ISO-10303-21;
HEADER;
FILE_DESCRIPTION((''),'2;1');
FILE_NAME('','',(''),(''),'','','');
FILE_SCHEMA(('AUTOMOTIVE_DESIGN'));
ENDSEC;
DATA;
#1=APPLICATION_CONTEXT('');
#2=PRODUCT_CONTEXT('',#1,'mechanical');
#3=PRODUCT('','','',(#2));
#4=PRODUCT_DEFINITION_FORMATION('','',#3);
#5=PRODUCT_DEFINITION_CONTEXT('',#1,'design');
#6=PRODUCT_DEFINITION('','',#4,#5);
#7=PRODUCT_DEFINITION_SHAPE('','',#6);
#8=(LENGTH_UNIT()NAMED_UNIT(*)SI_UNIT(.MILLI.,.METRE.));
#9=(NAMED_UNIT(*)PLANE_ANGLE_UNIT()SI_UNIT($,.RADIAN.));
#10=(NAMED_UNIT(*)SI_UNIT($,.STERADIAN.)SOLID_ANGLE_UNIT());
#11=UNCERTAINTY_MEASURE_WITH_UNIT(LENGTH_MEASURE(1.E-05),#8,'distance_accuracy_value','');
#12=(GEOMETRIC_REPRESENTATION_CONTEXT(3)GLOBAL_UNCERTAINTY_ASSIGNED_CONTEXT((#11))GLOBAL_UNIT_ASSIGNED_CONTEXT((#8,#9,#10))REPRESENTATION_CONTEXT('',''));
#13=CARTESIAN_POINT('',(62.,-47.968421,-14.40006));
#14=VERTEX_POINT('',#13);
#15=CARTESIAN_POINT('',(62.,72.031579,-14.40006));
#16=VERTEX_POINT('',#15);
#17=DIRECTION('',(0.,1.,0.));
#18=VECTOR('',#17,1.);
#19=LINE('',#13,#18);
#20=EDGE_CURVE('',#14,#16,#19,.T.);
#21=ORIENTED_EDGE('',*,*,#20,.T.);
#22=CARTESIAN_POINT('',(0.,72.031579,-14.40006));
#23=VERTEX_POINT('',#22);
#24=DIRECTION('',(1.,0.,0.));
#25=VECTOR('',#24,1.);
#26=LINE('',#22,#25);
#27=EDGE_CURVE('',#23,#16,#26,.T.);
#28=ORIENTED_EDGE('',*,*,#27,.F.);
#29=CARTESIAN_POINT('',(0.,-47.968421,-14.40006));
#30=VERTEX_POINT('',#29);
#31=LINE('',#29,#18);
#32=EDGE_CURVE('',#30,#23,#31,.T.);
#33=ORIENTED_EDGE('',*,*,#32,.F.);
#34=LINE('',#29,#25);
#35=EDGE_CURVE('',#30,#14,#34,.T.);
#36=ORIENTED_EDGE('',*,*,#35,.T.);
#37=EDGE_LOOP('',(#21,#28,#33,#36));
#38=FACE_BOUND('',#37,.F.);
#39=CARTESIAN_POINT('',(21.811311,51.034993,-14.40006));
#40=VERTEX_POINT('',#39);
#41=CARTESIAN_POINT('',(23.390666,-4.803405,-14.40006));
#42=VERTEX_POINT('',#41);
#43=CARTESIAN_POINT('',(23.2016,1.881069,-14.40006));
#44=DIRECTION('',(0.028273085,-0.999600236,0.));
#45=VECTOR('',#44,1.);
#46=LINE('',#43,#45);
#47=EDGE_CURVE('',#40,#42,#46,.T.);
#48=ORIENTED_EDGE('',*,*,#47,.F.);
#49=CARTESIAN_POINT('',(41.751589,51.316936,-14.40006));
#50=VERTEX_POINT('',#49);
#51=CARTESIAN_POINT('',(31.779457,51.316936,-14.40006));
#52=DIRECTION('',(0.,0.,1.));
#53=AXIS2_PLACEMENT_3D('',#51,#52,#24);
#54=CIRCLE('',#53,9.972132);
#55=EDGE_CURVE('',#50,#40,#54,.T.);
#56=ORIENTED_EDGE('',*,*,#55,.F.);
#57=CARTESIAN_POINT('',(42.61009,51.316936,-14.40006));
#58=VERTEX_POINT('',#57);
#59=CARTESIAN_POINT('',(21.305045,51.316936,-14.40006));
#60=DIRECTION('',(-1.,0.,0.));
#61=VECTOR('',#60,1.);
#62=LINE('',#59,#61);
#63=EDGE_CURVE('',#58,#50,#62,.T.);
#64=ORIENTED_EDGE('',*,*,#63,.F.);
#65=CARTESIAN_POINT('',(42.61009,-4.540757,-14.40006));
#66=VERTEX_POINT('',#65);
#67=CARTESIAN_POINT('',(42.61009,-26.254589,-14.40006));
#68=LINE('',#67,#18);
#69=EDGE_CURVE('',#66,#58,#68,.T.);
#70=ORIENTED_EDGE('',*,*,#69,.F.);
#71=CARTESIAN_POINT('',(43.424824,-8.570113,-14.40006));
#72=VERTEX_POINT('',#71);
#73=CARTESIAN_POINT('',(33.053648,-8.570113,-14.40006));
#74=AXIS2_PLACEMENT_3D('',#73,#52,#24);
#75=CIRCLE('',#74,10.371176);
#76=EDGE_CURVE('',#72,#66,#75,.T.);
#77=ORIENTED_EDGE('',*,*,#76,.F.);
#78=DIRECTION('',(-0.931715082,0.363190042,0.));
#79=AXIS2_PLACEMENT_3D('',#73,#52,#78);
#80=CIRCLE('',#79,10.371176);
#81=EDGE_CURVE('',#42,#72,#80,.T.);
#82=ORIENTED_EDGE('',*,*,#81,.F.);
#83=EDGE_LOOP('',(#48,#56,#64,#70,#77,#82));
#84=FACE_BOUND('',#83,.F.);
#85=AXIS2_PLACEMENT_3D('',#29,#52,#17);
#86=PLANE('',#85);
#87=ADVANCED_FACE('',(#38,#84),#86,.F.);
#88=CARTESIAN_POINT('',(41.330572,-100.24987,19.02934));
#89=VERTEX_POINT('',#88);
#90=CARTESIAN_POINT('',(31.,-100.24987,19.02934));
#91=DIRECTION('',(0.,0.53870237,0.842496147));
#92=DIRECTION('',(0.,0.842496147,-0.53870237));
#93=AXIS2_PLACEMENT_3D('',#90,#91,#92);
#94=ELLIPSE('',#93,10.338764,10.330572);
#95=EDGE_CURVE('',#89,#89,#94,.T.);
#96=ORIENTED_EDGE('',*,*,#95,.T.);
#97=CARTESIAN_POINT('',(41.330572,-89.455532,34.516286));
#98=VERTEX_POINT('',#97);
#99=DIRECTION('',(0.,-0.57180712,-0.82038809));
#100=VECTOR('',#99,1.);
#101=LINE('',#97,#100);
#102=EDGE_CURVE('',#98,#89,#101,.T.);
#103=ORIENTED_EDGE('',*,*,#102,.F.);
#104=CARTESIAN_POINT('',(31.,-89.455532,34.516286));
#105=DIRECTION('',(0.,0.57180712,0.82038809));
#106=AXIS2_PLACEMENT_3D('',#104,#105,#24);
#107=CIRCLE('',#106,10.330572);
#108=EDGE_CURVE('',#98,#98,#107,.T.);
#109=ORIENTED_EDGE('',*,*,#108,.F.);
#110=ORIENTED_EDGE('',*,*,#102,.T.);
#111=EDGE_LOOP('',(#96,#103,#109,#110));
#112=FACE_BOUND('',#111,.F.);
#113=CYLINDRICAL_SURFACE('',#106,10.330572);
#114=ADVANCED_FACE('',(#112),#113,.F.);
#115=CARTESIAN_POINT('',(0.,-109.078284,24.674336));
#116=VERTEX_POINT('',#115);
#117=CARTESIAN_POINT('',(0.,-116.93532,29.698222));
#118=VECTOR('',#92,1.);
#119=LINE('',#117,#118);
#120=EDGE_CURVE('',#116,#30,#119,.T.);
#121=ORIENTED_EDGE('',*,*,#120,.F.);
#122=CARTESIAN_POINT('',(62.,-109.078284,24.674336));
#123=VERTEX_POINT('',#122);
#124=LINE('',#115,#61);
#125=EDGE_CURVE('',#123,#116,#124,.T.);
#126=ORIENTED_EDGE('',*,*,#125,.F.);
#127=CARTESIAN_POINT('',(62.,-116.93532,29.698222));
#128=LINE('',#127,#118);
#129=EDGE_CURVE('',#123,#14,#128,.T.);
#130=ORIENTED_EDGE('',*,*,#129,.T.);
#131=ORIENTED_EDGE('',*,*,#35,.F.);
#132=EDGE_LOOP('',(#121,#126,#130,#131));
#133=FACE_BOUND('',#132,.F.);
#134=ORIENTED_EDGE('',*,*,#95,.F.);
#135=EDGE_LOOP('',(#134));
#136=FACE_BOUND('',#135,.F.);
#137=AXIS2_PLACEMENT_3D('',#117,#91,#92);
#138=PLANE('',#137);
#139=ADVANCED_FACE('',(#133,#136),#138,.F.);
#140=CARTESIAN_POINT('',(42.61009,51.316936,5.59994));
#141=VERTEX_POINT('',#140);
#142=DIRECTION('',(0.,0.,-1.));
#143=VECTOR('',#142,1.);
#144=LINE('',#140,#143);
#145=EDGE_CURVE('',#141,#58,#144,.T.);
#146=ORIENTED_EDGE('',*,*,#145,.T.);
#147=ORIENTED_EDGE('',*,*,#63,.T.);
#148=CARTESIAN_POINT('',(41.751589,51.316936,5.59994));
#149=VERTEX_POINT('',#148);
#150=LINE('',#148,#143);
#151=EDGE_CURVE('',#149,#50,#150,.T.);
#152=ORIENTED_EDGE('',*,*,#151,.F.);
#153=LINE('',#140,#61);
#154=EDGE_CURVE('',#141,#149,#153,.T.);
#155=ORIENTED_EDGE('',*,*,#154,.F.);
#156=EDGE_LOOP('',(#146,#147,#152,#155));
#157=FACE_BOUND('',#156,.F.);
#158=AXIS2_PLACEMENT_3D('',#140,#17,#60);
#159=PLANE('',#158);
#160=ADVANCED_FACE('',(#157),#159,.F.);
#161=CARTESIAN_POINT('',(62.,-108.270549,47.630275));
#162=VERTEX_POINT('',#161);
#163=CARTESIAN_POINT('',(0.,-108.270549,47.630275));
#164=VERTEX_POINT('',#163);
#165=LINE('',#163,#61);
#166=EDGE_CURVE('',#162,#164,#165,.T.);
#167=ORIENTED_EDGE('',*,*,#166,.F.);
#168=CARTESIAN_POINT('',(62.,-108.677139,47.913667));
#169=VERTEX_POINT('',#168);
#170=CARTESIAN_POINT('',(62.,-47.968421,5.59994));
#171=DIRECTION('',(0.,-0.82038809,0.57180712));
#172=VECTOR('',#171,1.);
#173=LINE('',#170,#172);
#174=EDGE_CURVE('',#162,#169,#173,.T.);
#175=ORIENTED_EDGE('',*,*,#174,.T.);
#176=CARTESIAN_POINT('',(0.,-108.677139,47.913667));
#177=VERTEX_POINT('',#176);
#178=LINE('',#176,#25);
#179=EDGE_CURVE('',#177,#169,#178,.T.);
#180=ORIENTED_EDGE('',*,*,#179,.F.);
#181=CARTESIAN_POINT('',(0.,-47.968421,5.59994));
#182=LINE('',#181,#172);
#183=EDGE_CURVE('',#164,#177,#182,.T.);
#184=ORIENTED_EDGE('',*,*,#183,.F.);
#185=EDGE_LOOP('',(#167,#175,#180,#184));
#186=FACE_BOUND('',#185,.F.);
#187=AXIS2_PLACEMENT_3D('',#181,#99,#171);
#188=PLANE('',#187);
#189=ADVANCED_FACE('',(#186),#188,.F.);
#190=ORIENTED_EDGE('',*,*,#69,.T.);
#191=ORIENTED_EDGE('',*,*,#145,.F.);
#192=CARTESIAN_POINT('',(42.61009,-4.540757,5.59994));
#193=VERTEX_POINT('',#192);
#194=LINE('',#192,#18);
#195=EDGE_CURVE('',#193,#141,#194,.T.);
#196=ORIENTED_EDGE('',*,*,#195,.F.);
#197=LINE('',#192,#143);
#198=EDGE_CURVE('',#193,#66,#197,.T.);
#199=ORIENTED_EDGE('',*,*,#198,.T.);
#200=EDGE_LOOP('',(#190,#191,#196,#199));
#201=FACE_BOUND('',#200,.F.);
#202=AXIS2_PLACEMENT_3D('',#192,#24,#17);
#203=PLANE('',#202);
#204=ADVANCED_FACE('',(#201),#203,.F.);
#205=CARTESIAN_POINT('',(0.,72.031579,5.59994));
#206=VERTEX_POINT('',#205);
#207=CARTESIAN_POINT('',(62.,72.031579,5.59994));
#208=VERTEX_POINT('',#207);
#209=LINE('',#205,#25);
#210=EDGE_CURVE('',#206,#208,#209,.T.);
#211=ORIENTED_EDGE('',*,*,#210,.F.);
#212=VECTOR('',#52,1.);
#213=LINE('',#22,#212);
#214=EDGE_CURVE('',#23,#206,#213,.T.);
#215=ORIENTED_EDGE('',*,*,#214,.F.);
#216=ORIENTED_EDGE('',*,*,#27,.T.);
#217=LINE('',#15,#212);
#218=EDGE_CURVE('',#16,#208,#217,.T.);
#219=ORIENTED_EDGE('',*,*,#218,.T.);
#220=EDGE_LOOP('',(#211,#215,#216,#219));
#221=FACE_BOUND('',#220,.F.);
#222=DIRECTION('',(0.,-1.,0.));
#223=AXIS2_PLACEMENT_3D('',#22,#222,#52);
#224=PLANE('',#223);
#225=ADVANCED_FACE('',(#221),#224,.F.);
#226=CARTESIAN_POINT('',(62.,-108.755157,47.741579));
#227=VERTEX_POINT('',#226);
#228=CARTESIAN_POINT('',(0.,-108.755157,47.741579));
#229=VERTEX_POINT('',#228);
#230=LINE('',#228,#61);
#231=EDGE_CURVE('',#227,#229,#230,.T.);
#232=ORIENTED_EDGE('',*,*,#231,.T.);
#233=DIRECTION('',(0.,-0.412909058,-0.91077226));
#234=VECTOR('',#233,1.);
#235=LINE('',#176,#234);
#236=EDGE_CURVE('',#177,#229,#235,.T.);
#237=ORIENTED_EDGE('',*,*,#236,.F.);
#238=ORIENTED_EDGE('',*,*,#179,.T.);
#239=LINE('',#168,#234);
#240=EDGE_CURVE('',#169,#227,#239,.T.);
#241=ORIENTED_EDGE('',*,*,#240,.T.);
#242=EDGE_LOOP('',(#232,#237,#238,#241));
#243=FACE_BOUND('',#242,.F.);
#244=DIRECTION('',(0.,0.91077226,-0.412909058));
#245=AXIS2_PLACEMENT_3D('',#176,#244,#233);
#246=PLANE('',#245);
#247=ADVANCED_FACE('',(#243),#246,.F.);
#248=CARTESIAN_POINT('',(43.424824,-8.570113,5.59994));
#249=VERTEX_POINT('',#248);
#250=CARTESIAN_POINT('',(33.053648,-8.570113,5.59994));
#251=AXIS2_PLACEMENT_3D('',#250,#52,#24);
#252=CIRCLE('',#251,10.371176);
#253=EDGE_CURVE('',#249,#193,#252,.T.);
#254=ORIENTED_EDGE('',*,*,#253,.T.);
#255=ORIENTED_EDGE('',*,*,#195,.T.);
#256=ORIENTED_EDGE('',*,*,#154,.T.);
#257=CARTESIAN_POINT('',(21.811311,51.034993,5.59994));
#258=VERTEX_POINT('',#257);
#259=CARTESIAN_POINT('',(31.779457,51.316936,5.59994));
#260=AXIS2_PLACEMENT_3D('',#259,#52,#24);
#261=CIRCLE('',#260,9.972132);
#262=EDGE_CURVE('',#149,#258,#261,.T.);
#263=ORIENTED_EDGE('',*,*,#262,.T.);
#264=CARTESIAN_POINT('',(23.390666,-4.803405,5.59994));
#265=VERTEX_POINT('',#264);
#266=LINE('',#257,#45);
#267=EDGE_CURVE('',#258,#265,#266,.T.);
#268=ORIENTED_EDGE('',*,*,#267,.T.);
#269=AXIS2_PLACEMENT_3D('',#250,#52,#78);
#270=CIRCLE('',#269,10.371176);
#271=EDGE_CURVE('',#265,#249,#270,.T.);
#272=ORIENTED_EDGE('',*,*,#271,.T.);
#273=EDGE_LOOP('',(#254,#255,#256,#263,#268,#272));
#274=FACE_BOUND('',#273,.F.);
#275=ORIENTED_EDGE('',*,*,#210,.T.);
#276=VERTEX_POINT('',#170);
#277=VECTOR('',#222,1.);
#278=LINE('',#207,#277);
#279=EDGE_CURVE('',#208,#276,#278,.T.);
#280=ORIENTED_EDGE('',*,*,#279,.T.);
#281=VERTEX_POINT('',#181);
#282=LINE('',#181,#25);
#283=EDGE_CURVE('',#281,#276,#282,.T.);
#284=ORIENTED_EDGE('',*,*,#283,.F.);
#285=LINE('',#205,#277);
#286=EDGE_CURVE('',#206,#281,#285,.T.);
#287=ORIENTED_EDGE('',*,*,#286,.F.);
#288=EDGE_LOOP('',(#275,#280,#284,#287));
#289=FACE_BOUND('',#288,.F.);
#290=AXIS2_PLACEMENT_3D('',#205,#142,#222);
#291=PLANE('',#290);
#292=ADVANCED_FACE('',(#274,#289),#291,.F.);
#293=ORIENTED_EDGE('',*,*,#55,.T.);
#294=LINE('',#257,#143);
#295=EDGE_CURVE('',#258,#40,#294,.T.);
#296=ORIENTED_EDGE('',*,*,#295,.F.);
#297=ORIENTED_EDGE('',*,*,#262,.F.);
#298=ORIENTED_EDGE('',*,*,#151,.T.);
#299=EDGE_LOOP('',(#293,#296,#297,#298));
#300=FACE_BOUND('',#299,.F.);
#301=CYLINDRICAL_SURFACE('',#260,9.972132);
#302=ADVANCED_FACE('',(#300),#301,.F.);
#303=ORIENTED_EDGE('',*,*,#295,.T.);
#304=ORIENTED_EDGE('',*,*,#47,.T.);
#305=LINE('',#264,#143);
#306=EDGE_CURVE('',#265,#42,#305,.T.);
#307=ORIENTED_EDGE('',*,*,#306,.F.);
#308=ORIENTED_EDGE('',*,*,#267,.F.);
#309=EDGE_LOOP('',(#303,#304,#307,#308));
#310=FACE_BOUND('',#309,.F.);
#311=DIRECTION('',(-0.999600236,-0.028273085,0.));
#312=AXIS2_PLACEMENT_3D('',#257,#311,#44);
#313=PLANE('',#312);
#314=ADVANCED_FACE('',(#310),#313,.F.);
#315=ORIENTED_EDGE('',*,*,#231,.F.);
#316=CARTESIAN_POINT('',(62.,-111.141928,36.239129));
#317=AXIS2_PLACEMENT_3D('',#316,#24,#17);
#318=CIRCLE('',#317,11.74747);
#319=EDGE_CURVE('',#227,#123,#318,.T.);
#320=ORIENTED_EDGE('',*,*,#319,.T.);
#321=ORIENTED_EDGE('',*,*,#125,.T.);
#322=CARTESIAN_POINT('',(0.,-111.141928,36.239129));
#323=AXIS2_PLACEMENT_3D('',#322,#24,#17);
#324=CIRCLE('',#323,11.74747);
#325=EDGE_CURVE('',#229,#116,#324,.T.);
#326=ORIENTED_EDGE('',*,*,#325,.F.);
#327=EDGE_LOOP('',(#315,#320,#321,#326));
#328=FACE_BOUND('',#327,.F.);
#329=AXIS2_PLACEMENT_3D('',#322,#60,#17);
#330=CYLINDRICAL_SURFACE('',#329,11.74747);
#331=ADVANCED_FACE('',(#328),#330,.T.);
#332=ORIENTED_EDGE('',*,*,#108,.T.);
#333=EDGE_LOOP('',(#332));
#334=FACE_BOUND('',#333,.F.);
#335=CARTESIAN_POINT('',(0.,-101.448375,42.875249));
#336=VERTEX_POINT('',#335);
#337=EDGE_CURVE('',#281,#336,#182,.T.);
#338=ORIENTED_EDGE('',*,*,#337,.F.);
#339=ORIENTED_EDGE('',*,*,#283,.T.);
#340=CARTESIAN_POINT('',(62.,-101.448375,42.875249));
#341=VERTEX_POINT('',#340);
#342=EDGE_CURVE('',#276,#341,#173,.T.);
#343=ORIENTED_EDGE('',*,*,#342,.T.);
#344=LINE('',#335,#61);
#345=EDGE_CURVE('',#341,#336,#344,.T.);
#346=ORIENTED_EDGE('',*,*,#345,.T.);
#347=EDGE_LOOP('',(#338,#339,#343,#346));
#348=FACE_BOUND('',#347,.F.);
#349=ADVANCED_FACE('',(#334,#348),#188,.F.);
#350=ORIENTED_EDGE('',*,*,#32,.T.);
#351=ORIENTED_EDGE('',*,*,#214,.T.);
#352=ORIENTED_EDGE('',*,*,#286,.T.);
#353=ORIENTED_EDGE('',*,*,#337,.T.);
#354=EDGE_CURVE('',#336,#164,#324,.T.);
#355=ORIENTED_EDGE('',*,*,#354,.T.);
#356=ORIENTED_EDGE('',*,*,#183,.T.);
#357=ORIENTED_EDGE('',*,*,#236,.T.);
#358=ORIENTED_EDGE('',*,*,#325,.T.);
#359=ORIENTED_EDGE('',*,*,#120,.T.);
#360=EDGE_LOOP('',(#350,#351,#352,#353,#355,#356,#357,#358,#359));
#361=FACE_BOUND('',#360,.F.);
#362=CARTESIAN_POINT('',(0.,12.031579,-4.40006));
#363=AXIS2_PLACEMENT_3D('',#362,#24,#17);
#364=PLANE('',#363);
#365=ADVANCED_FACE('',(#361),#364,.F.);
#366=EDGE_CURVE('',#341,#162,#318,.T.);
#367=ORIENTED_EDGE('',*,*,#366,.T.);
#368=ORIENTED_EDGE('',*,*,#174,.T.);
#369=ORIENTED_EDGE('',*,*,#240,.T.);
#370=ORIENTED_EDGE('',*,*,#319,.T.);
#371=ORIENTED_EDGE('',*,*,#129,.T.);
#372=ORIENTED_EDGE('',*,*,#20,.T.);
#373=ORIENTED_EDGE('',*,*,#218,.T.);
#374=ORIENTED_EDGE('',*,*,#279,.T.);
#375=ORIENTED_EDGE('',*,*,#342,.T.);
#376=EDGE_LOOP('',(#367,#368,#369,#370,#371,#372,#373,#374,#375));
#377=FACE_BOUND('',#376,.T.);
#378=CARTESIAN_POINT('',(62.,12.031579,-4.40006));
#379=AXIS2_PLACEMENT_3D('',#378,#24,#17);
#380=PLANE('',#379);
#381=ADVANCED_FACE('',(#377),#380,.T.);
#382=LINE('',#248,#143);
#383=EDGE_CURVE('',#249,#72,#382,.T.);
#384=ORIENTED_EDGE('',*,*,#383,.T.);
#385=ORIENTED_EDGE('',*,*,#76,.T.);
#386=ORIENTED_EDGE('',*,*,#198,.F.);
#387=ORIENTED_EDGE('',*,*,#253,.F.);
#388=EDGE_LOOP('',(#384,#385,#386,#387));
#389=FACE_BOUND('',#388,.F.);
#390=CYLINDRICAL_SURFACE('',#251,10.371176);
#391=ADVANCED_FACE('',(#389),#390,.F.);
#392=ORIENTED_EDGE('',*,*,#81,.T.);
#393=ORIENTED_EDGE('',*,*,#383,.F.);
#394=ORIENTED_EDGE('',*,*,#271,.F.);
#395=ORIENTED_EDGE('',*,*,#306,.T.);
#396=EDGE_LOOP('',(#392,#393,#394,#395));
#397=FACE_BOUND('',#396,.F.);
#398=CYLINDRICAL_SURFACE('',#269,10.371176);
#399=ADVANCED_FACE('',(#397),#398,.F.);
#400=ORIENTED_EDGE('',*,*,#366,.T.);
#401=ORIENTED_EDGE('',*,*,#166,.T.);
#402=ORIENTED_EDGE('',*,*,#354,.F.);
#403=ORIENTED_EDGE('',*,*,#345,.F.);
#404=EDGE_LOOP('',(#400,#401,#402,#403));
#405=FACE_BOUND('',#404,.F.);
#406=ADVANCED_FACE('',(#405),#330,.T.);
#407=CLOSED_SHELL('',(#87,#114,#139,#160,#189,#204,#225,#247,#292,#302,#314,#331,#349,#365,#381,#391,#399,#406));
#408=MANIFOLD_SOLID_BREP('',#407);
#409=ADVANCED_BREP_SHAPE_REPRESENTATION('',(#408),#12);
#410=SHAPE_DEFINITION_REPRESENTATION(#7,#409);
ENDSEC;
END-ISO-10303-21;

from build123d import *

# Parameters (mm, degrees)
F1_DEPTH = 62
F2_R     = 11.7474696308
F3_DEPTH = 62
F5_DEPTH = 62
F6_R     = 10.330572445
F7_DEPTH = 62


with BuildPart() as f1:
    # F0 (on Right) → F1 (new body)
    with BuildSketch(Plane.YZ):
        Polygon((72.0315793902, 5.5999404844), (-47.9684206098, 5.5999404844), (-47.9684206098, -14.4000595156), (72.0315793902, -14.4000595156), (72.0315793902, -4.4000595156), align=None)
        Polygon((-47.9684206098, -14.4000595156), (-47.9684206098, 5.5999404844), (-108.6771392604, 47.9136673329), (-116.9353204182, 29.6982221294), align=None)
    extrude(amount=F1_DEPTH)

    # F2 (on Right) → F3 (join)
    with BuildSketch(Plane.YZ):
        with Locations((-111.1419275403, 36.2391285598)):
            Circle(F2_R)
    extrude(amount=F3_DEPTH)

    # F4 (on face) → F5 (cut)
    with BuildSketch(Plane.XY.offset(5.5999404844)):
        with BuildLine():
            ThreePointArc((21.8113110218, 51.0349926195), (31.9204424494, 41.3457998855), (41.7515892409, 51.316935569))
            ThreePointArc((41.7515892409, 51.316935569), (31.6384713179, 61.2880712526), (21.8113110218, 51.0349926195))
        make_face()
        with BuildLine():
            Line((42.6100902259, 51.316935569), (41.7515892409, 51.316935569))
            ThreePointArc((41.7515892409, 51.316935569), (31.9204424494, 41.3457998855), (21.8113110218, 51.0349926195))
            Line((21.8113110218, 51.0349926195), (23.3906661796, -4.8034051943))
            ThreePointArc((23.3906661796, -4.8034051943), (32.9119310697, 1.8000949809), (42.6100902259, -4.540757379))
            Line((42.6100902259, -4.540757379), (42.6100902259, 51.316935569))
        make_face()
        with BuildLine():
            ThreePointArc((43.4248242139, -8.5701132193), (43.2191003354, -6.5146631494), (42.6100902259, -4.540757379))
            Line((42.6100902259, -4.540757379), (42.6100902259, -8.5701132193))
            Line((42.6100902259, -8.5701132193), (23.4972052276, -8.5701132193))
            Line((23.4972052276, -8.5701132193), (23.3906661796, -4.8034051943))
            ThreePointArc((23.3906661796, -4.8034051943), (31.1372951092, -18.7627033893), (43.4248242139, -8.5701132193))
        make_face()
        with BuildLine():
            Line((42.6100902259, -8.5701132193), (42.6100902259, -4.540757379))
            ThreePointArc((42.6100902259, -4.540757379), (32.9119310697, 1.8000949809), (23.3906661796, -4.8034051943))
            Line((23.3906661796, -4.8034051943), (23.4972052276, -8.5701132193))
            Line((23.4972052276, -8.5701132193), (42.6100902259, -8.5701132193))
        make_face()
    extrude(amount=-F5_DEPTH, mode=Mode.SUBTRACT)

    # F6 (on face) → F7 (cut)
    with BuildSketch(Plane(origin=(0, -13.0569639472, -18.7332010139), x_dir=(1, 0, 0), z_dir=(0, 0.5718071196, 0.8203880899))):
        with Locations((31, -93.1249111891)):
            Circle(F6_R)
    extrude(amount=-F7_DEPTH, mode=Mode.SUBTRACT)


solid = f1.part
